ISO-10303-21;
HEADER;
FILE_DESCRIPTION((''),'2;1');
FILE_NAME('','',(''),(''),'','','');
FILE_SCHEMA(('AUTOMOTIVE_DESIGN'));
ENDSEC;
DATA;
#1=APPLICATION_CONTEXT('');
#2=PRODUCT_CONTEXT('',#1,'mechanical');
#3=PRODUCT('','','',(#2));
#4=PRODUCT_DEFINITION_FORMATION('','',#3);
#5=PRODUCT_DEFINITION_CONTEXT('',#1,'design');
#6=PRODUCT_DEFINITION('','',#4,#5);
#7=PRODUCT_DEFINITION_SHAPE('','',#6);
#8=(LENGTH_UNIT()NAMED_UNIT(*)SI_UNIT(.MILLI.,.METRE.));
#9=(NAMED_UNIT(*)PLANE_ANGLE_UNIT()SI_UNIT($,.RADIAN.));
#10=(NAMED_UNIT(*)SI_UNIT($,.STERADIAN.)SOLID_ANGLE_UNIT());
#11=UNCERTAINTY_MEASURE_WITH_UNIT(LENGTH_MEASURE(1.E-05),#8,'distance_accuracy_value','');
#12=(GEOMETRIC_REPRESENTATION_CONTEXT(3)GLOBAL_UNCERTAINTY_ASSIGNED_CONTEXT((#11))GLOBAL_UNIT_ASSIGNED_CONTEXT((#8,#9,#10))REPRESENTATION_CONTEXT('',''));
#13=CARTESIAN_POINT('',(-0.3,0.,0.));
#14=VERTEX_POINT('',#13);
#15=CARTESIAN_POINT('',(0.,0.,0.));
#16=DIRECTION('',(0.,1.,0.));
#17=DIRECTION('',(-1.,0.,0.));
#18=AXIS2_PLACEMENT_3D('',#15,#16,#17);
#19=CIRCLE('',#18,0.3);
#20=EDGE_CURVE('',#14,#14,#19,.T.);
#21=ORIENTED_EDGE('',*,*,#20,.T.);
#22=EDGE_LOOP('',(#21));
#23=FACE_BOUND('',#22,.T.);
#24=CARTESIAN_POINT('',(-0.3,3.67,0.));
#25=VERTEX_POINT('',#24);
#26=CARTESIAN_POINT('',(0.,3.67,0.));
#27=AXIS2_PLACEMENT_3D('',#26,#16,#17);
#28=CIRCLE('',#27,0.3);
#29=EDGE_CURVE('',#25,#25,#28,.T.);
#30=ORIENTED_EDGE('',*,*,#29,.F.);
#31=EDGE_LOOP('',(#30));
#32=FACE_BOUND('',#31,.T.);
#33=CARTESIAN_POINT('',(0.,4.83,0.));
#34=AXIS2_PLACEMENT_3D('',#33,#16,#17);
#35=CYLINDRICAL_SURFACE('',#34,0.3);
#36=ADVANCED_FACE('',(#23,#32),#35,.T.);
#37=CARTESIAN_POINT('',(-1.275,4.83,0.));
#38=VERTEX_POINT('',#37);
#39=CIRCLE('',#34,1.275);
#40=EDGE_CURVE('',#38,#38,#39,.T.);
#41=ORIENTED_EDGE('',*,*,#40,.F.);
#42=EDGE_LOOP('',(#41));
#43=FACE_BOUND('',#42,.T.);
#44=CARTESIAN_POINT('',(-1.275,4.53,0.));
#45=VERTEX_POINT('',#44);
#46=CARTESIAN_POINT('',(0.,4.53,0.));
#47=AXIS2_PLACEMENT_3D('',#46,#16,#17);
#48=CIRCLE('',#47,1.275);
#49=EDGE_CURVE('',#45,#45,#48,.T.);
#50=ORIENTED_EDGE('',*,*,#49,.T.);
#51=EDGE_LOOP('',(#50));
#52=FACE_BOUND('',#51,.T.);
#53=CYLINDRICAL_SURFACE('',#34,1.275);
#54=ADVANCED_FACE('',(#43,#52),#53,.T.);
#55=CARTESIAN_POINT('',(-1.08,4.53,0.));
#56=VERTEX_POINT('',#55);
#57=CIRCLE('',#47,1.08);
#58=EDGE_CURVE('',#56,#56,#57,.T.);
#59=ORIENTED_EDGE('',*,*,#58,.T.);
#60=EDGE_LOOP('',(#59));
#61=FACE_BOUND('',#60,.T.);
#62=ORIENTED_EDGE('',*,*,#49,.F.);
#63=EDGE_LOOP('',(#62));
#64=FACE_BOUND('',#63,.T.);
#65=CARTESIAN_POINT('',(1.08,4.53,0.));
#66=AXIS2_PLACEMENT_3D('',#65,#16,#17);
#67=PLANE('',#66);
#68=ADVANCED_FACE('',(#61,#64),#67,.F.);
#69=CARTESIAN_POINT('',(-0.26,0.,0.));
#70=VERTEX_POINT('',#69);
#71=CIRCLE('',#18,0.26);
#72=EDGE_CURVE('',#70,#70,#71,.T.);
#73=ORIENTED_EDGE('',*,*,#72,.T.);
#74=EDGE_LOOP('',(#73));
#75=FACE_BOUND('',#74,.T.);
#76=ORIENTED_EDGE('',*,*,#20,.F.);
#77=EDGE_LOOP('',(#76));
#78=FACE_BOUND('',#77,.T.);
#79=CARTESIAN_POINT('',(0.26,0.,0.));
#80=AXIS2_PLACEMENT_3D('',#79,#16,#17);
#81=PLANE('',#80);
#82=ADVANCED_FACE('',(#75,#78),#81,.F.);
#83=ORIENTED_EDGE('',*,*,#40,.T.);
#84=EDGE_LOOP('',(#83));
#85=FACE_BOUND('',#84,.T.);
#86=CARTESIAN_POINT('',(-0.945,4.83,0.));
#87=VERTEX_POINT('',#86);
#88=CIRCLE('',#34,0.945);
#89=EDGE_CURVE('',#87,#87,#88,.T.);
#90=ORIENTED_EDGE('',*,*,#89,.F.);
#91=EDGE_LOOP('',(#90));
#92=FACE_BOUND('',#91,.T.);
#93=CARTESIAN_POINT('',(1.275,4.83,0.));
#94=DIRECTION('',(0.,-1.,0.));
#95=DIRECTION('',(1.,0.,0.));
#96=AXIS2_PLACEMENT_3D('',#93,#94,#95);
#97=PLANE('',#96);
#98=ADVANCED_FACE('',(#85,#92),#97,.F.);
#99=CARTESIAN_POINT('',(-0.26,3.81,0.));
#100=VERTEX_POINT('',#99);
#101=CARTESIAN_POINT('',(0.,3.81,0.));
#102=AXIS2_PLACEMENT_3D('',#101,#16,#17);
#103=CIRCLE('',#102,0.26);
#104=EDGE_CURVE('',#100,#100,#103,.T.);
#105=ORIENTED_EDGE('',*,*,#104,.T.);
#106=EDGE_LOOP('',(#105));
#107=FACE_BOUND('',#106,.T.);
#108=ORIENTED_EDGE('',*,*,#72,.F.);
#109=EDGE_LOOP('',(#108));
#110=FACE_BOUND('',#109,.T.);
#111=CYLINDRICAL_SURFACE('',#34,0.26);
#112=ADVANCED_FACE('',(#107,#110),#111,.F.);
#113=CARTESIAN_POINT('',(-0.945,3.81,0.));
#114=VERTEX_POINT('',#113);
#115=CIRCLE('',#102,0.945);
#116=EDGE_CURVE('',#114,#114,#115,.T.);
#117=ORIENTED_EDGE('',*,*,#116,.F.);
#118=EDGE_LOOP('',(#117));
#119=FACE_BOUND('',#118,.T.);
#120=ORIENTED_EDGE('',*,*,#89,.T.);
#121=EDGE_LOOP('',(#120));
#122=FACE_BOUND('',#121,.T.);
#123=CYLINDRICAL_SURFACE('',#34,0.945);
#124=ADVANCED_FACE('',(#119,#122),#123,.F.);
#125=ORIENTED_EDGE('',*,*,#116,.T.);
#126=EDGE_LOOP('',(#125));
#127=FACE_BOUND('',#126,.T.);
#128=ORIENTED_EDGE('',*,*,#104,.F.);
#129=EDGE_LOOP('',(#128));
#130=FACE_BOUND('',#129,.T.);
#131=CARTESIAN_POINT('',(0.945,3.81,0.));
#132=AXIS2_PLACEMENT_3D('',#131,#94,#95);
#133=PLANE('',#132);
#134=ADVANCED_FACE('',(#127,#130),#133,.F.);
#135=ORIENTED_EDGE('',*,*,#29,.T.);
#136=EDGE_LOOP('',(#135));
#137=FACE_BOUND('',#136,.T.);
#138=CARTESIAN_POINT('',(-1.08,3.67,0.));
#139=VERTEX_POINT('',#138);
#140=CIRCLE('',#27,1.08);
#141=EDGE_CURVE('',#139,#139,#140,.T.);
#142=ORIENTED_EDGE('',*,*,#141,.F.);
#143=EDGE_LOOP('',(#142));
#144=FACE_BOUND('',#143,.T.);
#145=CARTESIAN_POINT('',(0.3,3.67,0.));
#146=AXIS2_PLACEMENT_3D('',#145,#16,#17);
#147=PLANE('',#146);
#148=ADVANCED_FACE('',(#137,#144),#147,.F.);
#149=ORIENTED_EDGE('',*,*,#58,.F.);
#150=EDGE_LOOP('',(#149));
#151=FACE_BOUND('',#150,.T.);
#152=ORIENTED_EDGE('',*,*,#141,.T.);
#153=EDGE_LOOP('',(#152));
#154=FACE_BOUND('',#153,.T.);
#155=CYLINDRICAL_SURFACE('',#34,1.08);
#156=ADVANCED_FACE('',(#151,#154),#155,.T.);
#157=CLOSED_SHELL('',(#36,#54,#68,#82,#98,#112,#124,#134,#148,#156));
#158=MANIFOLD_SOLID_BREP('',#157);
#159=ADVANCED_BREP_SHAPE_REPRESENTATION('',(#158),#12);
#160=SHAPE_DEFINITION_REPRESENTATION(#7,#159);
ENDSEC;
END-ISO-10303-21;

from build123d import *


with BuildPart() as part:
    # 草图1 → 旋转1 (revolve)
    with BuildSketch(Plane.XY, mode=Mode.PRIVATE) as revolve_1_sk:
        Polygon((0.26, 0), (0.3, 0), (0.3, 3.67), (1.08, 3.67), (1.08, 4.53), (1.275, 4.53), (1.275, 4.83), (0.945, 4.83), (0.945, 3.81), (0.26, 3.81), align=None)
    revolve(revolve_1_sk.sketch.rotate(Axis((0, 4.83, 0), (0, -1, 0)), 180), axis=Axis((0, 4.83, 0), (0, -1, 0)))


solid = part.part
